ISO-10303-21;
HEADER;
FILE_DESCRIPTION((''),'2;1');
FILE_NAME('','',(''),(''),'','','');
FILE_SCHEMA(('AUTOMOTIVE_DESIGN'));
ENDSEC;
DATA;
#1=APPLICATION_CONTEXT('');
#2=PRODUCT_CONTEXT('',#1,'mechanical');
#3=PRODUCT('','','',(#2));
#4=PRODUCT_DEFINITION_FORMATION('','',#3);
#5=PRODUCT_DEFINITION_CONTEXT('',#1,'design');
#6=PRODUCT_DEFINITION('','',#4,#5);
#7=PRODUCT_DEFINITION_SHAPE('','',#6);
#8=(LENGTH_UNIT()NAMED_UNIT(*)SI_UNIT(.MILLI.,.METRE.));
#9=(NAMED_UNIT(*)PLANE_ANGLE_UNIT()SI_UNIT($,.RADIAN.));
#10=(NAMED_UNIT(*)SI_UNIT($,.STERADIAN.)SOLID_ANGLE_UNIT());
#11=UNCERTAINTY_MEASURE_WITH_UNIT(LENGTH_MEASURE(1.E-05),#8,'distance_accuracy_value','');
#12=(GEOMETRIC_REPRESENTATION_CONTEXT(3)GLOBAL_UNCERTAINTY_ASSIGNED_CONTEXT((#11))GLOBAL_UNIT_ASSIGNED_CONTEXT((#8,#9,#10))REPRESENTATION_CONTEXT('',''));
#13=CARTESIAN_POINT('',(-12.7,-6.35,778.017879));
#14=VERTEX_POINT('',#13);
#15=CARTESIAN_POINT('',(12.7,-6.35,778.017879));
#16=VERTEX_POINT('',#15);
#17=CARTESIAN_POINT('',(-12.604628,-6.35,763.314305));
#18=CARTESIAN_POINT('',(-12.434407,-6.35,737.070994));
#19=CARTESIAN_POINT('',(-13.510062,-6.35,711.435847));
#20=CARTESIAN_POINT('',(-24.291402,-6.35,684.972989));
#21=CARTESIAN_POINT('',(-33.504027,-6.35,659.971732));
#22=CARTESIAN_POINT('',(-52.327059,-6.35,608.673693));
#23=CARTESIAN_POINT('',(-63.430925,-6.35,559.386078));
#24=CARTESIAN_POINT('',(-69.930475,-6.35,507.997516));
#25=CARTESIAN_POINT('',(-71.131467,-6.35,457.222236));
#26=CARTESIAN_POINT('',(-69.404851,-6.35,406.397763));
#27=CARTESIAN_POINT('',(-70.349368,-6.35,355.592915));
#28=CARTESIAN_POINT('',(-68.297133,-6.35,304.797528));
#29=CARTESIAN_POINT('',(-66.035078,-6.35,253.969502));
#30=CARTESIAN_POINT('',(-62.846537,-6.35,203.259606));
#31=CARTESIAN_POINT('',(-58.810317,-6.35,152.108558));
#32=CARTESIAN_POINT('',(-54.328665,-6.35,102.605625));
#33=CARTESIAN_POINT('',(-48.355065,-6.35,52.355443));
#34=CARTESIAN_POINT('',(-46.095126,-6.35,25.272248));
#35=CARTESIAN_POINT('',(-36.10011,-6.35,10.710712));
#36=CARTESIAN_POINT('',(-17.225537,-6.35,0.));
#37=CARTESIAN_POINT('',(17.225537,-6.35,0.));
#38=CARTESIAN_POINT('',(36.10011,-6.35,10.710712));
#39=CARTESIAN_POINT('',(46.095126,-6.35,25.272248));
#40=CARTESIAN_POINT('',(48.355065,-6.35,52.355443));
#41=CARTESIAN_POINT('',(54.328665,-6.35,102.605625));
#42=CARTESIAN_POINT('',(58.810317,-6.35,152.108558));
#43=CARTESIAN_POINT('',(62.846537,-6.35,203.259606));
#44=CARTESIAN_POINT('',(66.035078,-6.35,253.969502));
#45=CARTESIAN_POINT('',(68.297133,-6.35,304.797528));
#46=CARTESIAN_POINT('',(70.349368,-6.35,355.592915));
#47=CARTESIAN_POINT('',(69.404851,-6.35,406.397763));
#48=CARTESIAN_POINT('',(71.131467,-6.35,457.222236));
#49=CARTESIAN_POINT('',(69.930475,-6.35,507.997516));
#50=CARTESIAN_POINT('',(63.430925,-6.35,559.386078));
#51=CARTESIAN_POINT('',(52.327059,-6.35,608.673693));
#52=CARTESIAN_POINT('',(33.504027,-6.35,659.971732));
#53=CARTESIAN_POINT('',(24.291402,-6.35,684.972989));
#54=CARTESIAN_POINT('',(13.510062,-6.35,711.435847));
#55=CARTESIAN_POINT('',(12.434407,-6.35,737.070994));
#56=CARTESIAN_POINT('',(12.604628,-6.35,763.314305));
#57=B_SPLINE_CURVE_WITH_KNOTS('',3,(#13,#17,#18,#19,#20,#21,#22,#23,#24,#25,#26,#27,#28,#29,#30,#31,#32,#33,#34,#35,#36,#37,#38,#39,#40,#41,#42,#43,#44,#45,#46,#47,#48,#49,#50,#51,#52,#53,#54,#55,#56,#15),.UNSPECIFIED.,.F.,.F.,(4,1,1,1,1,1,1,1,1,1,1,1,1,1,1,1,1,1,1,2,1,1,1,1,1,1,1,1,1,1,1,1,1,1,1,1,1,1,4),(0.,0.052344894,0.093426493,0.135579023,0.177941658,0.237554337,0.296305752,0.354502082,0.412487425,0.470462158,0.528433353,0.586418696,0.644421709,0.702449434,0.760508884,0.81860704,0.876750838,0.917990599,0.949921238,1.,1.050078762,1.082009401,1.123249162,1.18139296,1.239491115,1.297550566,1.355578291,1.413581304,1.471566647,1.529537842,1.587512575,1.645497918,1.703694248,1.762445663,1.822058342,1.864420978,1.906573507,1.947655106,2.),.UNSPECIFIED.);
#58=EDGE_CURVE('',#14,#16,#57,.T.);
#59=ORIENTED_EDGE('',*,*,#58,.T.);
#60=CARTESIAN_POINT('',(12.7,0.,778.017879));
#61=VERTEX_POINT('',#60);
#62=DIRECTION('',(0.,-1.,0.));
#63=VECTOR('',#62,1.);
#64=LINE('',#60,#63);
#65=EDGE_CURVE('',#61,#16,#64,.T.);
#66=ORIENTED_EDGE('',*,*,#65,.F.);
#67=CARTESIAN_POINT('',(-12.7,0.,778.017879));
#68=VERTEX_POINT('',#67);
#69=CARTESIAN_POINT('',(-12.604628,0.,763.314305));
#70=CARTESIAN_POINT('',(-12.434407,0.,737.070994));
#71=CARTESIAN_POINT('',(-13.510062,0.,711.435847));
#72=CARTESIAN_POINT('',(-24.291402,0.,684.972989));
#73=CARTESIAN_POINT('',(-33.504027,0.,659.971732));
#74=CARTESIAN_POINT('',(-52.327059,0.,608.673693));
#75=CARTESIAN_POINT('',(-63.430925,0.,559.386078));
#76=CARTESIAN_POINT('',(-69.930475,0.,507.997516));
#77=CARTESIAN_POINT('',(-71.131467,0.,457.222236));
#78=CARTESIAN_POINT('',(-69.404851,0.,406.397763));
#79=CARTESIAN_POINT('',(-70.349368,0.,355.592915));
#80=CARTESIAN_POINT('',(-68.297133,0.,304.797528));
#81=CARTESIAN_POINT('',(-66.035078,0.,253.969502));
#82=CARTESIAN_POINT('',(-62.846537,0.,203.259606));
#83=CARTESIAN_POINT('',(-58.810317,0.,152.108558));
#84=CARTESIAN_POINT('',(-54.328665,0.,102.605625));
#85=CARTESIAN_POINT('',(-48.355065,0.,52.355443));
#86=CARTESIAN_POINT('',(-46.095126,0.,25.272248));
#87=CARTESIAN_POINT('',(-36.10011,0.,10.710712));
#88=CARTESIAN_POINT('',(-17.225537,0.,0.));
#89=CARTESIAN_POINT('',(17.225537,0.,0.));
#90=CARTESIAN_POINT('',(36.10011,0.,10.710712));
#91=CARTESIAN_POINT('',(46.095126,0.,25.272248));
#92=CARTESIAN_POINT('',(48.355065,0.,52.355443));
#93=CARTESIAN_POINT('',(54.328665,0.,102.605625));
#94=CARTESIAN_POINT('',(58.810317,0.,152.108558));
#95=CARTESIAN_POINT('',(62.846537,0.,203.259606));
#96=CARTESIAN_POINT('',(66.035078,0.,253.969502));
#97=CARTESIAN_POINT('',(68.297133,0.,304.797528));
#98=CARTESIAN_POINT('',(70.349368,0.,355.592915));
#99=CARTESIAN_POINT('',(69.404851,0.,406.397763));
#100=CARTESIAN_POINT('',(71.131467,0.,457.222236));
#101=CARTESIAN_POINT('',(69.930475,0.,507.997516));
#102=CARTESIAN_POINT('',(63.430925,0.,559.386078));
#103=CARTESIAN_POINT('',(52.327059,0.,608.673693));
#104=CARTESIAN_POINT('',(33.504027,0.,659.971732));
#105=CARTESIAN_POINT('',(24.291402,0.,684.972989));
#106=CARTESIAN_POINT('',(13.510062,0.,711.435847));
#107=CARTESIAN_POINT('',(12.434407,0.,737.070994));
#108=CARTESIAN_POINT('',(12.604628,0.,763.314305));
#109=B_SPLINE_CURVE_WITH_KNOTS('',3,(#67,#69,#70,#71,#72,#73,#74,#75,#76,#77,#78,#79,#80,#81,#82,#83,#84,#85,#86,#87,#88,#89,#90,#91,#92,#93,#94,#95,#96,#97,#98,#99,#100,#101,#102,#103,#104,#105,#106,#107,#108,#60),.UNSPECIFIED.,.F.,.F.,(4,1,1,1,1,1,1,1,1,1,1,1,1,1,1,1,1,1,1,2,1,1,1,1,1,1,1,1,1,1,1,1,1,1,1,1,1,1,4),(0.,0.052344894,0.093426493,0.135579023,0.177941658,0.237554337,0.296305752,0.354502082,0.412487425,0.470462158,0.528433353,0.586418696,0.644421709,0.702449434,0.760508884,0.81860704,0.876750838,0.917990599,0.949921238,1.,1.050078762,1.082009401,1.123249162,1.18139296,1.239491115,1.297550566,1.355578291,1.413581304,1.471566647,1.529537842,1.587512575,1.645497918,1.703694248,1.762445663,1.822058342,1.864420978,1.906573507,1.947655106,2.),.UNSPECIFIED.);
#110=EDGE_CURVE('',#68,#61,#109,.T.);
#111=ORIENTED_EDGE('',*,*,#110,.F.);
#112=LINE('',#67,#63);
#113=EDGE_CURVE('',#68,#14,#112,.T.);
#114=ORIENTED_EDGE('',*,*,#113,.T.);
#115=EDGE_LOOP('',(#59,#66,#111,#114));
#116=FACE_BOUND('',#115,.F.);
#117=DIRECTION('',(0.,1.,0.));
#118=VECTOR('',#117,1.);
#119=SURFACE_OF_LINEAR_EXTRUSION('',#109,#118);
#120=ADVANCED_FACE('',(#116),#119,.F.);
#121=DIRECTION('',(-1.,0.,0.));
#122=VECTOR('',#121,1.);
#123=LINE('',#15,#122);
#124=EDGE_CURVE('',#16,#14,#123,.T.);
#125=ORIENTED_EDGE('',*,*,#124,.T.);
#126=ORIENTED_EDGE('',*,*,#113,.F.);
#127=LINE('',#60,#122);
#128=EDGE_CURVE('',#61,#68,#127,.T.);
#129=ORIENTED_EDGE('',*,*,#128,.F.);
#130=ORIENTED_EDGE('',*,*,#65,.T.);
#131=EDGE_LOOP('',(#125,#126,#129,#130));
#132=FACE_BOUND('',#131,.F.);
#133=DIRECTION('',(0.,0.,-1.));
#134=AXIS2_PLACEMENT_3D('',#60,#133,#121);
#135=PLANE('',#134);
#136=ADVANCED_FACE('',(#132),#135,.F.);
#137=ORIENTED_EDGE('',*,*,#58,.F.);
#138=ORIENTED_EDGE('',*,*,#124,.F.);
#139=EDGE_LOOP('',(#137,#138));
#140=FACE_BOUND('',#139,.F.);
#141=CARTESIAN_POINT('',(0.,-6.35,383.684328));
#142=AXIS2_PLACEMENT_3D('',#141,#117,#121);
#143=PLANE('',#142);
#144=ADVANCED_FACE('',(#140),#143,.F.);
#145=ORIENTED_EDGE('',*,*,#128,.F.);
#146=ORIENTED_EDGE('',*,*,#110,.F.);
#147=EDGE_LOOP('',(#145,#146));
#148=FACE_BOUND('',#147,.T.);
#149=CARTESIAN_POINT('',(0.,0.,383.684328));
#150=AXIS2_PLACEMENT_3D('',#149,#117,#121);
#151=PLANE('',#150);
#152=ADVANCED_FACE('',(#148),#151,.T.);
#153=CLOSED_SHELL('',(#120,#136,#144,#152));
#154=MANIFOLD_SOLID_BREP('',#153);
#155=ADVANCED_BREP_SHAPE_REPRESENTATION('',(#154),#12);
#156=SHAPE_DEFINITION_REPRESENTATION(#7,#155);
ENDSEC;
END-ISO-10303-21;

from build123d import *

# Parameters (mm, degrees)
F1_DEPTH = 6.35


with BuildPart() as f1:
    # F0 (on Front) → F1 (new body)
    with BuildSketch(Plane.XZ):
        with BuildLine():
            add(Edge.make_bspline(
                [(0, 0), (-17.2255374491, 0), (-36.1001101129, 10.7107119672), (-46.0951264741, 25.2722475858), (-48.3550647541, 52.3554430993), (-54.3286652503, 102.6056252862), (-58.8103166102, 152.1085584706), (-62.8465374116, 203.2596058957), (-66.0350775924, 253.9695020086), (-68.2971330968, 304.7975276165), (-70.3493683312, 355.5929150577), (-69.4048506798, 406.3977629256), (-71.131466782, 457.2222363997), (-69.9304749133, 507.9975164814), (-63.4309245336, 559.38607818), (-52.3270587632, 608.6736930582), (-33.5040266142, 659.9717320518), (-24.2914019677, 684.9729885798), (-13.5100618624, 711.4358465079), (-12.4344068372, 737.0709942094), (-12.6046284311, 763.3143050149), (-12.7, 778.0178785324)],
                knots=[0, 0, 0, 0, 0.0500787624, 0.0820094009, 0.1232491617, 0.1813929601, 0.2394911155, 0.2975505658, 0.3555782906, 0.4135813039, 0.4715666468, 0.5295378418, 0.5875125748, 0.6454979177, 0.7036942478, 0.762445663, 0.8220583415, 0.8644209775, 0.9065735067, 0.9476551063, 1, 1, 1, 1], degree=3))
            add(Edge.make_bspline(
                [(0, 0), (17.2255374491, 0), (36.1001101129, 10.7107119672), (46.0951264741, 25.2722475858), (48.3550647541, 52.3554430993), (54.3286652503, 102.6056252862), (58.8103166102, 152.1085584706), (62.8465374116, 203.2596058957), (66.0350775924, 253.9695020086), (68.2971330968, 304.7975276165), (70.3493683312, 355.5929150577), (69.4048506798, 406.3977629256), (71.131466782, 457.2222363997), (69.9304749133, 507.9975164814), (63.4309245336, 559.38607818), (52.3270587632, 608.6736930582), (33.5040266142, 659.9717320518), (24.2914019677, 684.9729885798), (13.5100618624, 711.4358465079), (12.4344068372, 737.0709942094), (12.6046284311, 763.3143050149), (12.7, 778.0178785324)],
                knots=[0, 0, 0, 0, 0.0500787624, 0.0820094009, 0.1232491617, 0.1813929601, 0.2394911155, 0.2975505658, 0.3555782906, 0.4135813039, 0.4715666468, 0.5295378418, 0.5875125748, 0.6454979177, 0.7036942478, 0.762445663, 0.8220583415, 0.8644209775, 0.9065735067, 0.9476551063, 1, 1, 1, 1], degree=3))
            Line((12.7, 778.0178785324), (-12.7, 778.0178785324))
        make_face()
    extrude(amount=F1_DEPTH)


solid = f1.part
